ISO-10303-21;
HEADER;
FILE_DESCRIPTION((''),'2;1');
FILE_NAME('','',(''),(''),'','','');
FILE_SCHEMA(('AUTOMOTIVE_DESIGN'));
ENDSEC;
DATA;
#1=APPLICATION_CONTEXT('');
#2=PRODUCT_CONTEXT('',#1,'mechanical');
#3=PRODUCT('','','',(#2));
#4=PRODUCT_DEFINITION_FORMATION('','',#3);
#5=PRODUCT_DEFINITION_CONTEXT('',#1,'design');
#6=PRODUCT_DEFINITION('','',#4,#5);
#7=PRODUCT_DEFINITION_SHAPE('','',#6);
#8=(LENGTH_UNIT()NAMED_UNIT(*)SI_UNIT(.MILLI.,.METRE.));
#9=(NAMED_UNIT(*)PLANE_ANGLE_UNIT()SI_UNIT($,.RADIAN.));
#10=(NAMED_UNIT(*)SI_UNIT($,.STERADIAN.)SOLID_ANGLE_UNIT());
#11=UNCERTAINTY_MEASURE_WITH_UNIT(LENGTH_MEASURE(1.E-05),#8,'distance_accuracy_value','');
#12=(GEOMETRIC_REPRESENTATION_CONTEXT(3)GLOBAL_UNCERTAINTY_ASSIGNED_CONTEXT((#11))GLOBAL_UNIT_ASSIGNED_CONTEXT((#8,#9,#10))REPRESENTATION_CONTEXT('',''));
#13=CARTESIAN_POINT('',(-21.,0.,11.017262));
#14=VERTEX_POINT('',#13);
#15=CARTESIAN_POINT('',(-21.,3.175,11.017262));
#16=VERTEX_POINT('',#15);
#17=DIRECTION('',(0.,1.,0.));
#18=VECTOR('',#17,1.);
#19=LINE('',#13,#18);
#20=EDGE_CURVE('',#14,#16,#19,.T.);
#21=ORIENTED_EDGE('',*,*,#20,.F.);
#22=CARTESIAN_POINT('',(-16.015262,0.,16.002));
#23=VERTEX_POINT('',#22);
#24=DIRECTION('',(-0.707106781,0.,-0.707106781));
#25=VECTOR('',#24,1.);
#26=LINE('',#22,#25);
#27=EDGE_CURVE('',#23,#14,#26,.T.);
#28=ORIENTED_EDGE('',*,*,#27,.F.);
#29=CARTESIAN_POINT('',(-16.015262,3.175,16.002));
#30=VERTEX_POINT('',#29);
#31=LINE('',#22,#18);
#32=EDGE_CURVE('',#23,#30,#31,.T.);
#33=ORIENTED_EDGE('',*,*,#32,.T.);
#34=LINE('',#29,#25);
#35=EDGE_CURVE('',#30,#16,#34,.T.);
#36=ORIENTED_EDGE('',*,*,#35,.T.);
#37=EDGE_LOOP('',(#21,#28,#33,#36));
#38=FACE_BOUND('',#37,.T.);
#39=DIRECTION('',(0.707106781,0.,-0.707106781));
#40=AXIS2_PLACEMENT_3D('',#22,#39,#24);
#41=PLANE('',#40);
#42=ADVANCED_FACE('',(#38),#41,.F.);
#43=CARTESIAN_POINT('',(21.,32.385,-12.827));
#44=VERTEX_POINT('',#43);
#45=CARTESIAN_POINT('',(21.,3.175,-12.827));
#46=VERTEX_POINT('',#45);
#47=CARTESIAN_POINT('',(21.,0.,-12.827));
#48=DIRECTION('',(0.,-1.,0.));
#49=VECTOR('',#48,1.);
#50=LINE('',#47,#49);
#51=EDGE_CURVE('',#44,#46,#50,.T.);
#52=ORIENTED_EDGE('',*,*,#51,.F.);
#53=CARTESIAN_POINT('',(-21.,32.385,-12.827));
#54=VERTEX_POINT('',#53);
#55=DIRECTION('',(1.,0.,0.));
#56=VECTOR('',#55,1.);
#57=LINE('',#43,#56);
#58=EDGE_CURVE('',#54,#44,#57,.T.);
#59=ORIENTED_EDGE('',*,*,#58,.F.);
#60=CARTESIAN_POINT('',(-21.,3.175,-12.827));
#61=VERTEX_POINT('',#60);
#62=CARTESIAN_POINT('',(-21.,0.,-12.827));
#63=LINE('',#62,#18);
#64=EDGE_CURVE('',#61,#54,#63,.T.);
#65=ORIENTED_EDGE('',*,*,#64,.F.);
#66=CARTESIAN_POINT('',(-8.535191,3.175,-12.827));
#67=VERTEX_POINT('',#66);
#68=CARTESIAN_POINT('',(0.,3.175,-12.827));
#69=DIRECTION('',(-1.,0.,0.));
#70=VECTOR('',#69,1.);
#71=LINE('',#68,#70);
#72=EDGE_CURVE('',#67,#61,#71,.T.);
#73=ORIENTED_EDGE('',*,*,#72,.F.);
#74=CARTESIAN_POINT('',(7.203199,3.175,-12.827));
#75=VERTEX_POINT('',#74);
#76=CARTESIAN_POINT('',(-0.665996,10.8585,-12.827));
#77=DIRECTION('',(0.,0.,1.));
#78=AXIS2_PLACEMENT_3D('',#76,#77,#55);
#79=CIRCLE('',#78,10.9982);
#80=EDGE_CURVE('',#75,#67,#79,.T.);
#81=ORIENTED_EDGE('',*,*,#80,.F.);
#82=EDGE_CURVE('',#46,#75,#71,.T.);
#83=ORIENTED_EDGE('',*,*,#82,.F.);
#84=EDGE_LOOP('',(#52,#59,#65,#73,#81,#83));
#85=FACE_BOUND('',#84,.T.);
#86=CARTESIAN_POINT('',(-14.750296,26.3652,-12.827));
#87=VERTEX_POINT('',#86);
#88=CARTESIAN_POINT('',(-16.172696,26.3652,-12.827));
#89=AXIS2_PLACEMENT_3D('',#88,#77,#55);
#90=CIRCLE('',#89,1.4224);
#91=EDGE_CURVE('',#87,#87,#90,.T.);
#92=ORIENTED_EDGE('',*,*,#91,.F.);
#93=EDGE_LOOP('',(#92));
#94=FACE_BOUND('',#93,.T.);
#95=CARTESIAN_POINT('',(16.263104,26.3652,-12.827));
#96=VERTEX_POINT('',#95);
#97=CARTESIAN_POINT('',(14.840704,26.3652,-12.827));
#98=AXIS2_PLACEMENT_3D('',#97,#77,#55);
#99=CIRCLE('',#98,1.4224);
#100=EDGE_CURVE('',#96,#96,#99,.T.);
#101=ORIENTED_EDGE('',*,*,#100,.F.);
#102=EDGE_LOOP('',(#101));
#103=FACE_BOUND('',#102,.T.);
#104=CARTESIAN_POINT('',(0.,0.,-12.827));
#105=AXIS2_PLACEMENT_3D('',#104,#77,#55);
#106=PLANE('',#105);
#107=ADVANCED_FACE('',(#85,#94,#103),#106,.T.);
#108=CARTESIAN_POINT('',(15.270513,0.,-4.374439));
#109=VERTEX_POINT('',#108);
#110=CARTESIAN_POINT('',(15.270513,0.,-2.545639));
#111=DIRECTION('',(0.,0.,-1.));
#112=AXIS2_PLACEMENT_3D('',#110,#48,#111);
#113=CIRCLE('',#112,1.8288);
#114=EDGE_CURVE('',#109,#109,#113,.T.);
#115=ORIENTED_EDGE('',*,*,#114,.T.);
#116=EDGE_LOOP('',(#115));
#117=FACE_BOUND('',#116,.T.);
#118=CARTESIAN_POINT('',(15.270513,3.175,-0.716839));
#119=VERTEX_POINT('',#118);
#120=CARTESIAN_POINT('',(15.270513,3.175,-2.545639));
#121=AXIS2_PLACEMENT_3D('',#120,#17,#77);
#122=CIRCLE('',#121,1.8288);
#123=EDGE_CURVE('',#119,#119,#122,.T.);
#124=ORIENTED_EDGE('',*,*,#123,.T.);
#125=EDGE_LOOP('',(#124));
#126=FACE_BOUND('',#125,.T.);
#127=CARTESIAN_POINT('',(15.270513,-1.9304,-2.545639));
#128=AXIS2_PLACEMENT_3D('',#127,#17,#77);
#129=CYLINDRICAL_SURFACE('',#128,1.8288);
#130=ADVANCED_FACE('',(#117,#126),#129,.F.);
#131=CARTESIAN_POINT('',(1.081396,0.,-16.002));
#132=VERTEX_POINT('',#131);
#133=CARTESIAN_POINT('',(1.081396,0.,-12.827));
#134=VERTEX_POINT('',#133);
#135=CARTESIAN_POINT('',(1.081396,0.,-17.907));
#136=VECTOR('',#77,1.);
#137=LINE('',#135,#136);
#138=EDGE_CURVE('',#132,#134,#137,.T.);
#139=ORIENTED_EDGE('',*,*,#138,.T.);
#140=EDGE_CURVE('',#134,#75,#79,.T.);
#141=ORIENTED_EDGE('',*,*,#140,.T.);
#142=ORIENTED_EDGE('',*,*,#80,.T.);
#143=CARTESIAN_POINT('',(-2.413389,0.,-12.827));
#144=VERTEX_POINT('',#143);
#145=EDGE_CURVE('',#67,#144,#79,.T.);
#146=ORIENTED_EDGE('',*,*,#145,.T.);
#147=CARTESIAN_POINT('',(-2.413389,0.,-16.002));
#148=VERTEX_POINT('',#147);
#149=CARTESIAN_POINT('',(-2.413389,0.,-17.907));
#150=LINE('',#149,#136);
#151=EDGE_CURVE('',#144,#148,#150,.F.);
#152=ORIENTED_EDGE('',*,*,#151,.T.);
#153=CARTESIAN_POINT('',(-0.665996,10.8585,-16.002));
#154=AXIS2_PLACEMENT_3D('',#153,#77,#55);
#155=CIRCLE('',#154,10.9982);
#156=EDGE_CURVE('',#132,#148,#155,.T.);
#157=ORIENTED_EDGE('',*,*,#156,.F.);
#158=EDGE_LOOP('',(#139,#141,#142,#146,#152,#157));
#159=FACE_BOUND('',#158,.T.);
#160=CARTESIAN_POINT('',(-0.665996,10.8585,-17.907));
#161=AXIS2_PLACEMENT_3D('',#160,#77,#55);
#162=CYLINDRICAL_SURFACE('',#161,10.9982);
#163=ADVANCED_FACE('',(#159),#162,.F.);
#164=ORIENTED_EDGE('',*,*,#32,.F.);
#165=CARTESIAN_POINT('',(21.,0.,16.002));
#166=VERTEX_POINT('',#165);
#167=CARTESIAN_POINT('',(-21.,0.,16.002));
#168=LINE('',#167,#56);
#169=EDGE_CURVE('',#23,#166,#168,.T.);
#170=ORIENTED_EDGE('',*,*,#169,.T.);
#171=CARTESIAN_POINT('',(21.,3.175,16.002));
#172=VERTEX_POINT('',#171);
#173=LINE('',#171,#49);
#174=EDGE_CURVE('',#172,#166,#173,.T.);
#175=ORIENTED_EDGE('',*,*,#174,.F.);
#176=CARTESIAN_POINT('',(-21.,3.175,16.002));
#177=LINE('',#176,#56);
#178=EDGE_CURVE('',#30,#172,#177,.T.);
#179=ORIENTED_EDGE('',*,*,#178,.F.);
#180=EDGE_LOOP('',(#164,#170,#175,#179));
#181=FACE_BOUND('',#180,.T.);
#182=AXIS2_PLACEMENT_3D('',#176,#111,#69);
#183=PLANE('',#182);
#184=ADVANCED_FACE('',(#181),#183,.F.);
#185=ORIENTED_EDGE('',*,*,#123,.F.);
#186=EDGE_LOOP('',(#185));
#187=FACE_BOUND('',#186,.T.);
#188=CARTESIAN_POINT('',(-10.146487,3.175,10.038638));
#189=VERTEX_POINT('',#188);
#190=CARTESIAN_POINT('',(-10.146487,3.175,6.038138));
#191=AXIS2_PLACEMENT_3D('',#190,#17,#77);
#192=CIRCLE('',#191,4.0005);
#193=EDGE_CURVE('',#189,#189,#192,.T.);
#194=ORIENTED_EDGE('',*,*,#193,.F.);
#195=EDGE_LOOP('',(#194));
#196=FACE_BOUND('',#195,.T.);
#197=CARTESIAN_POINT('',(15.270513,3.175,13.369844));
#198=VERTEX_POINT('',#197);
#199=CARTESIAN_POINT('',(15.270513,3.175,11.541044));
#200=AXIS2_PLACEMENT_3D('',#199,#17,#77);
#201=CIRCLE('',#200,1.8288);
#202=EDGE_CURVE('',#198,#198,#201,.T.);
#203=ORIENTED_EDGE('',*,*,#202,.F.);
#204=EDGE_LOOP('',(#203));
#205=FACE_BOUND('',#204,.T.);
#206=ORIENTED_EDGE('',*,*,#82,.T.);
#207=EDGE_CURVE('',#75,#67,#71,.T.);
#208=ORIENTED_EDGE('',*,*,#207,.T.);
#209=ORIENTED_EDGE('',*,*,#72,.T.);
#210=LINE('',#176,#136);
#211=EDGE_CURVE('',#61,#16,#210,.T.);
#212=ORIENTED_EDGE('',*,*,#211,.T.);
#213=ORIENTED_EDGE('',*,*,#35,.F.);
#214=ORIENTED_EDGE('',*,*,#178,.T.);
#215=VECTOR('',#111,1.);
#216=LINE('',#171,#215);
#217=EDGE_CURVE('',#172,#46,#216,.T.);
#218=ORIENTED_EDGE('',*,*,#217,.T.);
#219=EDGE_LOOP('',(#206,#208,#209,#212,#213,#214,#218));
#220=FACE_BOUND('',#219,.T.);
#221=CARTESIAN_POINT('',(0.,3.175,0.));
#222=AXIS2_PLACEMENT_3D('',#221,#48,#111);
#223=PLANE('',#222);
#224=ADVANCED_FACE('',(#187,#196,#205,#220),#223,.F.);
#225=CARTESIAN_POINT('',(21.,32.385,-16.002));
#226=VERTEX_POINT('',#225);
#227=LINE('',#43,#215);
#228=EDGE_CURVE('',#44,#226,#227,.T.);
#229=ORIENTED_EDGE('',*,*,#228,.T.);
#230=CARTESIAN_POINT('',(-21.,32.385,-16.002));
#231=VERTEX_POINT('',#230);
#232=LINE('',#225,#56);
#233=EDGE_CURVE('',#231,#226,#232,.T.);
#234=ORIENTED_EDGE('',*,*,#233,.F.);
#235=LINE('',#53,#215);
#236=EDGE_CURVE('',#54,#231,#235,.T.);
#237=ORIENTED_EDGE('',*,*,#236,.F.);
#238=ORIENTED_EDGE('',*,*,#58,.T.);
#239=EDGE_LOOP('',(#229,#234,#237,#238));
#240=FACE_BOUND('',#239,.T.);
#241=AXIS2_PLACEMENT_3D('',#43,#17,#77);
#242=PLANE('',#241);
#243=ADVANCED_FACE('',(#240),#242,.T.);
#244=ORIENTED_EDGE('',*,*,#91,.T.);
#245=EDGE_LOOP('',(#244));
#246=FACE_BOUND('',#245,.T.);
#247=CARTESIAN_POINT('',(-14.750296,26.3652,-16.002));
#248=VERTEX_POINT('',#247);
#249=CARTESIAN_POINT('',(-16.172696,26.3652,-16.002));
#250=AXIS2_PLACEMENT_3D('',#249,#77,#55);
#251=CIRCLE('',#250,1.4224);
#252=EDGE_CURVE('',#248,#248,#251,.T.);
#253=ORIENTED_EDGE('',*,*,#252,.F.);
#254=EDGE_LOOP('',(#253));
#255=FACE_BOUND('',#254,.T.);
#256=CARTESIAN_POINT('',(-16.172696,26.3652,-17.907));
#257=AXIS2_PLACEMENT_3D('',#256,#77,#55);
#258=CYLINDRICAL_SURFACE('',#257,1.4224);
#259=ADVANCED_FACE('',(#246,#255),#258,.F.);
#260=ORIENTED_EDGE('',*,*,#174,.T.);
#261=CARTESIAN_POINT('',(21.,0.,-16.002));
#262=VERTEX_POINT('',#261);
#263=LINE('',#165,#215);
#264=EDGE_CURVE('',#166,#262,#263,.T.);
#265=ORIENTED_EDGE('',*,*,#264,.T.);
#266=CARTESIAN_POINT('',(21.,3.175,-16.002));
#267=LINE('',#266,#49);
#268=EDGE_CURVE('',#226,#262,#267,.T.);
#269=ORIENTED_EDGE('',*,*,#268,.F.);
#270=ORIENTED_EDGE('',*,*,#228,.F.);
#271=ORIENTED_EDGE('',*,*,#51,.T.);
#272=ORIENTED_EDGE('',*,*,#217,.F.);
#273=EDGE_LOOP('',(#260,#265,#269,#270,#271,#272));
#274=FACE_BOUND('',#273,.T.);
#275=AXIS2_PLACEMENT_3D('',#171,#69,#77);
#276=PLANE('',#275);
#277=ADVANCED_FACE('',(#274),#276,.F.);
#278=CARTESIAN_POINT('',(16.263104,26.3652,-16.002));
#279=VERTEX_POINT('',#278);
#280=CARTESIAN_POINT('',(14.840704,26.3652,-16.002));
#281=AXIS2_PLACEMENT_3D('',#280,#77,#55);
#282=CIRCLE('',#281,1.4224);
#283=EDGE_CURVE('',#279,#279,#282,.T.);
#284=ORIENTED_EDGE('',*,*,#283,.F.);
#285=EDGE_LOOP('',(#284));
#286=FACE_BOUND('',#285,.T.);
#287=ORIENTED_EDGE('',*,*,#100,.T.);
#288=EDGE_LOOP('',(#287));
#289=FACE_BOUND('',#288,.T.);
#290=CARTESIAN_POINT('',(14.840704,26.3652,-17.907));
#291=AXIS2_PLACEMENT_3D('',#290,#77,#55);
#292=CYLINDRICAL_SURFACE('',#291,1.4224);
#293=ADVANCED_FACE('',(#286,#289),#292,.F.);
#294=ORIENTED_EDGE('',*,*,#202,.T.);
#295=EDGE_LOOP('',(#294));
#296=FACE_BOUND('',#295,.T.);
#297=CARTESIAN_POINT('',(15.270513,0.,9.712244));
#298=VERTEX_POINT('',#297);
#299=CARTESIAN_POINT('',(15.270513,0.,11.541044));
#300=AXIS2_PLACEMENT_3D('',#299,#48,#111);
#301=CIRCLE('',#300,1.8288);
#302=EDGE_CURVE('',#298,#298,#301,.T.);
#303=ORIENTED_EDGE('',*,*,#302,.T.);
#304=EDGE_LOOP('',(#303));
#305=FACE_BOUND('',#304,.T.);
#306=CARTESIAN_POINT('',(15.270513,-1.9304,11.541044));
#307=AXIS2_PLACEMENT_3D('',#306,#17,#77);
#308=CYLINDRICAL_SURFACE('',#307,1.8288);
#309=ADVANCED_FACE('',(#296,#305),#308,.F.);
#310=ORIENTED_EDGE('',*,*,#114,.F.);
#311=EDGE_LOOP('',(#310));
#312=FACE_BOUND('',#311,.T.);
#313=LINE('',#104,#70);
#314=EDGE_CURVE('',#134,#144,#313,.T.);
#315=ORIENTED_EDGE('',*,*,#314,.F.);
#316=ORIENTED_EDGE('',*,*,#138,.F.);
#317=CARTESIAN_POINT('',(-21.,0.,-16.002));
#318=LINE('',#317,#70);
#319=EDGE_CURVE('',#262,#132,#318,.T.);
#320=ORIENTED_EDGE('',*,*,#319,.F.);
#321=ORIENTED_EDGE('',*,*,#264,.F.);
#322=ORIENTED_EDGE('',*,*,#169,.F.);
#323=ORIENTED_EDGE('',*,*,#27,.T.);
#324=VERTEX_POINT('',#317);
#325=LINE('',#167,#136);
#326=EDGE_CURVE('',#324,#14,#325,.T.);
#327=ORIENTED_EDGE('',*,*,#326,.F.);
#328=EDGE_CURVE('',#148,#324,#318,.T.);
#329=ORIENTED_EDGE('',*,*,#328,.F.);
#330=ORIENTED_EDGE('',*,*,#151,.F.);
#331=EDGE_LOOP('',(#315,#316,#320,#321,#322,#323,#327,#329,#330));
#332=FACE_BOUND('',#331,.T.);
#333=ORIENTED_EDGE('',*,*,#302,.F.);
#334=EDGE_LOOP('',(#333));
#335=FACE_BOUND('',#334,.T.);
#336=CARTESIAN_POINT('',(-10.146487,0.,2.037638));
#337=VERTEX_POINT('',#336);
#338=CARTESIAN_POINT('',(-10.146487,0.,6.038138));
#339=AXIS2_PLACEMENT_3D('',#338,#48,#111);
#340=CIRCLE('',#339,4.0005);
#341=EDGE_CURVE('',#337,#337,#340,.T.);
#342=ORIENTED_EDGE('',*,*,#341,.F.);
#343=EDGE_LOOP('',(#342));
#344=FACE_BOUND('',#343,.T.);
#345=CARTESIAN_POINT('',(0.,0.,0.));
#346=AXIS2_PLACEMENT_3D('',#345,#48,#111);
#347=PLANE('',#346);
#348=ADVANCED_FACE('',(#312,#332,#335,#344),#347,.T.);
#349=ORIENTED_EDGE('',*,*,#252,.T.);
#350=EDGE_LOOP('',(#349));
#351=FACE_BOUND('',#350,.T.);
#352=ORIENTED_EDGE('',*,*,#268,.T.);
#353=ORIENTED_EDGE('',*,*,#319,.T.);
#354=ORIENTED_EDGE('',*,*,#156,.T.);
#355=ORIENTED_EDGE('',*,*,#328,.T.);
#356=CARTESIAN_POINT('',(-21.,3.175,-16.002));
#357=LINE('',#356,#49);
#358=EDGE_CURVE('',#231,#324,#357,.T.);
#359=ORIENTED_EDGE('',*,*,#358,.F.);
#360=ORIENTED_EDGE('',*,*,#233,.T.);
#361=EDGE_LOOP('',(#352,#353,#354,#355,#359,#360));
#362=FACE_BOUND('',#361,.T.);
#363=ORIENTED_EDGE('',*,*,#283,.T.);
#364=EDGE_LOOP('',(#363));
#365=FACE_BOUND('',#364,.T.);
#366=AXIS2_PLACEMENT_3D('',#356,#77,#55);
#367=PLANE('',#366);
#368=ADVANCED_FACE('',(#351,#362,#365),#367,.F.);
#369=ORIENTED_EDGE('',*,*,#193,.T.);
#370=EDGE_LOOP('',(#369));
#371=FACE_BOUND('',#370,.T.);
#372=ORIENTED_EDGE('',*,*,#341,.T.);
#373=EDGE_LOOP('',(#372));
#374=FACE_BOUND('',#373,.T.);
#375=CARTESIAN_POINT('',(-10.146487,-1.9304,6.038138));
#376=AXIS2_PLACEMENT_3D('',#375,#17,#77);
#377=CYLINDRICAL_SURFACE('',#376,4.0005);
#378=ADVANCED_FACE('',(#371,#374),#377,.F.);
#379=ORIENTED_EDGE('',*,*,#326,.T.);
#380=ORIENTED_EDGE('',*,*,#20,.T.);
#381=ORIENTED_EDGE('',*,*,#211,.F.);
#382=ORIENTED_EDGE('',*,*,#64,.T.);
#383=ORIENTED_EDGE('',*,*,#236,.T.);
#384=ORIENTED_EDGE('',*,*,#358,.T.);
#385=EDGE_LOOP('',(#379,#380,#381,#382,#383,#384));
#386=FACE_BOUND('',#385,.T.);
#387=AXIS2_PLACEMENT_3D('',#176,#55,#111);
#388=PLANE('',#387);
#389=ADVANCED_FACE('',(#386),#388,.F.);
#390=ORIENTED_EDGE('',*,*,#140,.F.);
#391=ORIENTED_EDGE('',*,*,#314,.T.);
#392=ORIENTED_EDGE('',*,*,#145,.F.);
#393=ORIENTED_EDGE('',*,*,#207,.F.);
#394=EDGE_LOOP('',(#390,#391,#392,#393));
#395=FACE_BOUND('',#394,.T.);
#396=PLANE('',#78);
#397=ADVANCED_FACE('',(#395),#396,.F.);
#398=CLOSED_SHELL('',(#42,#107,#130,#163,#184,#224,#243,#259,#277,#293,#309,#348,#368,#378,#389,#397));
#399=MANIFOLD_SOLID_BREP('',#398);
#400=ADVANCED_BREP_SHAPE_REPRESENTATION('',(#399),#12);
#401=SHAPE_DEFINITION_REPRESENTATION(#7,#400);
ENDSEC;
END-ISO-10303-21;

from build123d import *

# Parameters (mm, degrees)
SKETCH1_W           = 42
SKETCH1_H           = 32.004
BOSS_EXTRUDE1_DEPTH = 3.175
SKETCH2_W           = 42
SKETCH2_H           = 32.385
BOSS_EXTRUDE2_DEPTH = 3.175
SKETCH3_R           = 10.9982
SKETCH3_R_2         = 1.4224
CUT_EXTRUDE1_DEPTH  = 5.08
SKETCH4_R           = 4.0005
SKETCH4_R_2         = 1.8288
CUT_EXTRUDE2_DEPTH  = 5.1054
CUT_EXTRUDE3_DEPTH  = 40.373698125


with BuildPart() as part:
    # Sketch1 → Boss-Extrude1 (new body)
    with BuildSketch(Plane(origin=(0, 0, 0), x_dir=(1, 0, 0), z_dir=(0, 1, 0))):
        Rectangle(SKETCH1_W, SKETCH1_H)
    extrude(amount=BOSS_EXTRUDE1_DEPTH)

    # Sketch2 → Boss-Extrude2 (add)
    with BuildSketch(Plane(origin=(0, 0, -16.002), x_dir=(-1, 0, 0), z_dir=(0, 0, -1))):
        with Locations((0, 16.1925)):
            Rectangle(SKETCH2_W, SKETCH2_H)
    extrude(amount=-BOSS_EXTRUDE2_DEPTH)

    # Sketch3 → Cut-Extrude1 (cut)
    with BuildSketch(Plane.XY.offset(-12.827)):
        with Locations((-0.665996173, 10.8585)):
            Circle(SKETCH3_R)
        with Locations((-16.172696173, 26.3652)):
            Circle(SKETCH3_R_2)
        with Locations((14.840703827, 26.3652)):
            Circle(SKETCH3_R_2)
    extrude(amount=-CUT_EXTRUDE1_DEPTH, mode=Mode.SUBTRACT)

    # Sketch4 → Cut-Extrude2 (cut)
    with BuildSketch(Plane(origin=(0, 3.175, 0), x_dir=(1, 0, 0), z_dir=(0, 1, 0))):
        with Locations(Location((-10.14648729, -6.038137545, 0), (0, 0, 270))):
            Circle(SKETCH4_R)
        with Locations(Location((15.27051293, -11.541044372, 0), (0, 0, 270))):
            Circle(SKETCH4_R_2)
        with Locations(Location((15.27051293, 2.545639175, 0), (0, 0, 270))):
            Circle(SKETCH4_R_2)
    extrude(amount=-CUT_EXTRUDE2_DEPTH, mode=Mode.SUBTRACT)

    # Sketch5 → Cut-Extrude3 (cut, through all)
    with BuildSketch(Plane(origin=(0, 3.175, 0), x_dir=(1, 0, 0), z_dir=(0, 1, 0))):
        Polygon((-16.015261935, -16.002), (-21, -11.017261935), (-21, -16.002), align=None)
    extrude(amount=-CUT_EXTRUDE3_DEPTH, mode=Mode.SUBTRACT)


solid = part.part
